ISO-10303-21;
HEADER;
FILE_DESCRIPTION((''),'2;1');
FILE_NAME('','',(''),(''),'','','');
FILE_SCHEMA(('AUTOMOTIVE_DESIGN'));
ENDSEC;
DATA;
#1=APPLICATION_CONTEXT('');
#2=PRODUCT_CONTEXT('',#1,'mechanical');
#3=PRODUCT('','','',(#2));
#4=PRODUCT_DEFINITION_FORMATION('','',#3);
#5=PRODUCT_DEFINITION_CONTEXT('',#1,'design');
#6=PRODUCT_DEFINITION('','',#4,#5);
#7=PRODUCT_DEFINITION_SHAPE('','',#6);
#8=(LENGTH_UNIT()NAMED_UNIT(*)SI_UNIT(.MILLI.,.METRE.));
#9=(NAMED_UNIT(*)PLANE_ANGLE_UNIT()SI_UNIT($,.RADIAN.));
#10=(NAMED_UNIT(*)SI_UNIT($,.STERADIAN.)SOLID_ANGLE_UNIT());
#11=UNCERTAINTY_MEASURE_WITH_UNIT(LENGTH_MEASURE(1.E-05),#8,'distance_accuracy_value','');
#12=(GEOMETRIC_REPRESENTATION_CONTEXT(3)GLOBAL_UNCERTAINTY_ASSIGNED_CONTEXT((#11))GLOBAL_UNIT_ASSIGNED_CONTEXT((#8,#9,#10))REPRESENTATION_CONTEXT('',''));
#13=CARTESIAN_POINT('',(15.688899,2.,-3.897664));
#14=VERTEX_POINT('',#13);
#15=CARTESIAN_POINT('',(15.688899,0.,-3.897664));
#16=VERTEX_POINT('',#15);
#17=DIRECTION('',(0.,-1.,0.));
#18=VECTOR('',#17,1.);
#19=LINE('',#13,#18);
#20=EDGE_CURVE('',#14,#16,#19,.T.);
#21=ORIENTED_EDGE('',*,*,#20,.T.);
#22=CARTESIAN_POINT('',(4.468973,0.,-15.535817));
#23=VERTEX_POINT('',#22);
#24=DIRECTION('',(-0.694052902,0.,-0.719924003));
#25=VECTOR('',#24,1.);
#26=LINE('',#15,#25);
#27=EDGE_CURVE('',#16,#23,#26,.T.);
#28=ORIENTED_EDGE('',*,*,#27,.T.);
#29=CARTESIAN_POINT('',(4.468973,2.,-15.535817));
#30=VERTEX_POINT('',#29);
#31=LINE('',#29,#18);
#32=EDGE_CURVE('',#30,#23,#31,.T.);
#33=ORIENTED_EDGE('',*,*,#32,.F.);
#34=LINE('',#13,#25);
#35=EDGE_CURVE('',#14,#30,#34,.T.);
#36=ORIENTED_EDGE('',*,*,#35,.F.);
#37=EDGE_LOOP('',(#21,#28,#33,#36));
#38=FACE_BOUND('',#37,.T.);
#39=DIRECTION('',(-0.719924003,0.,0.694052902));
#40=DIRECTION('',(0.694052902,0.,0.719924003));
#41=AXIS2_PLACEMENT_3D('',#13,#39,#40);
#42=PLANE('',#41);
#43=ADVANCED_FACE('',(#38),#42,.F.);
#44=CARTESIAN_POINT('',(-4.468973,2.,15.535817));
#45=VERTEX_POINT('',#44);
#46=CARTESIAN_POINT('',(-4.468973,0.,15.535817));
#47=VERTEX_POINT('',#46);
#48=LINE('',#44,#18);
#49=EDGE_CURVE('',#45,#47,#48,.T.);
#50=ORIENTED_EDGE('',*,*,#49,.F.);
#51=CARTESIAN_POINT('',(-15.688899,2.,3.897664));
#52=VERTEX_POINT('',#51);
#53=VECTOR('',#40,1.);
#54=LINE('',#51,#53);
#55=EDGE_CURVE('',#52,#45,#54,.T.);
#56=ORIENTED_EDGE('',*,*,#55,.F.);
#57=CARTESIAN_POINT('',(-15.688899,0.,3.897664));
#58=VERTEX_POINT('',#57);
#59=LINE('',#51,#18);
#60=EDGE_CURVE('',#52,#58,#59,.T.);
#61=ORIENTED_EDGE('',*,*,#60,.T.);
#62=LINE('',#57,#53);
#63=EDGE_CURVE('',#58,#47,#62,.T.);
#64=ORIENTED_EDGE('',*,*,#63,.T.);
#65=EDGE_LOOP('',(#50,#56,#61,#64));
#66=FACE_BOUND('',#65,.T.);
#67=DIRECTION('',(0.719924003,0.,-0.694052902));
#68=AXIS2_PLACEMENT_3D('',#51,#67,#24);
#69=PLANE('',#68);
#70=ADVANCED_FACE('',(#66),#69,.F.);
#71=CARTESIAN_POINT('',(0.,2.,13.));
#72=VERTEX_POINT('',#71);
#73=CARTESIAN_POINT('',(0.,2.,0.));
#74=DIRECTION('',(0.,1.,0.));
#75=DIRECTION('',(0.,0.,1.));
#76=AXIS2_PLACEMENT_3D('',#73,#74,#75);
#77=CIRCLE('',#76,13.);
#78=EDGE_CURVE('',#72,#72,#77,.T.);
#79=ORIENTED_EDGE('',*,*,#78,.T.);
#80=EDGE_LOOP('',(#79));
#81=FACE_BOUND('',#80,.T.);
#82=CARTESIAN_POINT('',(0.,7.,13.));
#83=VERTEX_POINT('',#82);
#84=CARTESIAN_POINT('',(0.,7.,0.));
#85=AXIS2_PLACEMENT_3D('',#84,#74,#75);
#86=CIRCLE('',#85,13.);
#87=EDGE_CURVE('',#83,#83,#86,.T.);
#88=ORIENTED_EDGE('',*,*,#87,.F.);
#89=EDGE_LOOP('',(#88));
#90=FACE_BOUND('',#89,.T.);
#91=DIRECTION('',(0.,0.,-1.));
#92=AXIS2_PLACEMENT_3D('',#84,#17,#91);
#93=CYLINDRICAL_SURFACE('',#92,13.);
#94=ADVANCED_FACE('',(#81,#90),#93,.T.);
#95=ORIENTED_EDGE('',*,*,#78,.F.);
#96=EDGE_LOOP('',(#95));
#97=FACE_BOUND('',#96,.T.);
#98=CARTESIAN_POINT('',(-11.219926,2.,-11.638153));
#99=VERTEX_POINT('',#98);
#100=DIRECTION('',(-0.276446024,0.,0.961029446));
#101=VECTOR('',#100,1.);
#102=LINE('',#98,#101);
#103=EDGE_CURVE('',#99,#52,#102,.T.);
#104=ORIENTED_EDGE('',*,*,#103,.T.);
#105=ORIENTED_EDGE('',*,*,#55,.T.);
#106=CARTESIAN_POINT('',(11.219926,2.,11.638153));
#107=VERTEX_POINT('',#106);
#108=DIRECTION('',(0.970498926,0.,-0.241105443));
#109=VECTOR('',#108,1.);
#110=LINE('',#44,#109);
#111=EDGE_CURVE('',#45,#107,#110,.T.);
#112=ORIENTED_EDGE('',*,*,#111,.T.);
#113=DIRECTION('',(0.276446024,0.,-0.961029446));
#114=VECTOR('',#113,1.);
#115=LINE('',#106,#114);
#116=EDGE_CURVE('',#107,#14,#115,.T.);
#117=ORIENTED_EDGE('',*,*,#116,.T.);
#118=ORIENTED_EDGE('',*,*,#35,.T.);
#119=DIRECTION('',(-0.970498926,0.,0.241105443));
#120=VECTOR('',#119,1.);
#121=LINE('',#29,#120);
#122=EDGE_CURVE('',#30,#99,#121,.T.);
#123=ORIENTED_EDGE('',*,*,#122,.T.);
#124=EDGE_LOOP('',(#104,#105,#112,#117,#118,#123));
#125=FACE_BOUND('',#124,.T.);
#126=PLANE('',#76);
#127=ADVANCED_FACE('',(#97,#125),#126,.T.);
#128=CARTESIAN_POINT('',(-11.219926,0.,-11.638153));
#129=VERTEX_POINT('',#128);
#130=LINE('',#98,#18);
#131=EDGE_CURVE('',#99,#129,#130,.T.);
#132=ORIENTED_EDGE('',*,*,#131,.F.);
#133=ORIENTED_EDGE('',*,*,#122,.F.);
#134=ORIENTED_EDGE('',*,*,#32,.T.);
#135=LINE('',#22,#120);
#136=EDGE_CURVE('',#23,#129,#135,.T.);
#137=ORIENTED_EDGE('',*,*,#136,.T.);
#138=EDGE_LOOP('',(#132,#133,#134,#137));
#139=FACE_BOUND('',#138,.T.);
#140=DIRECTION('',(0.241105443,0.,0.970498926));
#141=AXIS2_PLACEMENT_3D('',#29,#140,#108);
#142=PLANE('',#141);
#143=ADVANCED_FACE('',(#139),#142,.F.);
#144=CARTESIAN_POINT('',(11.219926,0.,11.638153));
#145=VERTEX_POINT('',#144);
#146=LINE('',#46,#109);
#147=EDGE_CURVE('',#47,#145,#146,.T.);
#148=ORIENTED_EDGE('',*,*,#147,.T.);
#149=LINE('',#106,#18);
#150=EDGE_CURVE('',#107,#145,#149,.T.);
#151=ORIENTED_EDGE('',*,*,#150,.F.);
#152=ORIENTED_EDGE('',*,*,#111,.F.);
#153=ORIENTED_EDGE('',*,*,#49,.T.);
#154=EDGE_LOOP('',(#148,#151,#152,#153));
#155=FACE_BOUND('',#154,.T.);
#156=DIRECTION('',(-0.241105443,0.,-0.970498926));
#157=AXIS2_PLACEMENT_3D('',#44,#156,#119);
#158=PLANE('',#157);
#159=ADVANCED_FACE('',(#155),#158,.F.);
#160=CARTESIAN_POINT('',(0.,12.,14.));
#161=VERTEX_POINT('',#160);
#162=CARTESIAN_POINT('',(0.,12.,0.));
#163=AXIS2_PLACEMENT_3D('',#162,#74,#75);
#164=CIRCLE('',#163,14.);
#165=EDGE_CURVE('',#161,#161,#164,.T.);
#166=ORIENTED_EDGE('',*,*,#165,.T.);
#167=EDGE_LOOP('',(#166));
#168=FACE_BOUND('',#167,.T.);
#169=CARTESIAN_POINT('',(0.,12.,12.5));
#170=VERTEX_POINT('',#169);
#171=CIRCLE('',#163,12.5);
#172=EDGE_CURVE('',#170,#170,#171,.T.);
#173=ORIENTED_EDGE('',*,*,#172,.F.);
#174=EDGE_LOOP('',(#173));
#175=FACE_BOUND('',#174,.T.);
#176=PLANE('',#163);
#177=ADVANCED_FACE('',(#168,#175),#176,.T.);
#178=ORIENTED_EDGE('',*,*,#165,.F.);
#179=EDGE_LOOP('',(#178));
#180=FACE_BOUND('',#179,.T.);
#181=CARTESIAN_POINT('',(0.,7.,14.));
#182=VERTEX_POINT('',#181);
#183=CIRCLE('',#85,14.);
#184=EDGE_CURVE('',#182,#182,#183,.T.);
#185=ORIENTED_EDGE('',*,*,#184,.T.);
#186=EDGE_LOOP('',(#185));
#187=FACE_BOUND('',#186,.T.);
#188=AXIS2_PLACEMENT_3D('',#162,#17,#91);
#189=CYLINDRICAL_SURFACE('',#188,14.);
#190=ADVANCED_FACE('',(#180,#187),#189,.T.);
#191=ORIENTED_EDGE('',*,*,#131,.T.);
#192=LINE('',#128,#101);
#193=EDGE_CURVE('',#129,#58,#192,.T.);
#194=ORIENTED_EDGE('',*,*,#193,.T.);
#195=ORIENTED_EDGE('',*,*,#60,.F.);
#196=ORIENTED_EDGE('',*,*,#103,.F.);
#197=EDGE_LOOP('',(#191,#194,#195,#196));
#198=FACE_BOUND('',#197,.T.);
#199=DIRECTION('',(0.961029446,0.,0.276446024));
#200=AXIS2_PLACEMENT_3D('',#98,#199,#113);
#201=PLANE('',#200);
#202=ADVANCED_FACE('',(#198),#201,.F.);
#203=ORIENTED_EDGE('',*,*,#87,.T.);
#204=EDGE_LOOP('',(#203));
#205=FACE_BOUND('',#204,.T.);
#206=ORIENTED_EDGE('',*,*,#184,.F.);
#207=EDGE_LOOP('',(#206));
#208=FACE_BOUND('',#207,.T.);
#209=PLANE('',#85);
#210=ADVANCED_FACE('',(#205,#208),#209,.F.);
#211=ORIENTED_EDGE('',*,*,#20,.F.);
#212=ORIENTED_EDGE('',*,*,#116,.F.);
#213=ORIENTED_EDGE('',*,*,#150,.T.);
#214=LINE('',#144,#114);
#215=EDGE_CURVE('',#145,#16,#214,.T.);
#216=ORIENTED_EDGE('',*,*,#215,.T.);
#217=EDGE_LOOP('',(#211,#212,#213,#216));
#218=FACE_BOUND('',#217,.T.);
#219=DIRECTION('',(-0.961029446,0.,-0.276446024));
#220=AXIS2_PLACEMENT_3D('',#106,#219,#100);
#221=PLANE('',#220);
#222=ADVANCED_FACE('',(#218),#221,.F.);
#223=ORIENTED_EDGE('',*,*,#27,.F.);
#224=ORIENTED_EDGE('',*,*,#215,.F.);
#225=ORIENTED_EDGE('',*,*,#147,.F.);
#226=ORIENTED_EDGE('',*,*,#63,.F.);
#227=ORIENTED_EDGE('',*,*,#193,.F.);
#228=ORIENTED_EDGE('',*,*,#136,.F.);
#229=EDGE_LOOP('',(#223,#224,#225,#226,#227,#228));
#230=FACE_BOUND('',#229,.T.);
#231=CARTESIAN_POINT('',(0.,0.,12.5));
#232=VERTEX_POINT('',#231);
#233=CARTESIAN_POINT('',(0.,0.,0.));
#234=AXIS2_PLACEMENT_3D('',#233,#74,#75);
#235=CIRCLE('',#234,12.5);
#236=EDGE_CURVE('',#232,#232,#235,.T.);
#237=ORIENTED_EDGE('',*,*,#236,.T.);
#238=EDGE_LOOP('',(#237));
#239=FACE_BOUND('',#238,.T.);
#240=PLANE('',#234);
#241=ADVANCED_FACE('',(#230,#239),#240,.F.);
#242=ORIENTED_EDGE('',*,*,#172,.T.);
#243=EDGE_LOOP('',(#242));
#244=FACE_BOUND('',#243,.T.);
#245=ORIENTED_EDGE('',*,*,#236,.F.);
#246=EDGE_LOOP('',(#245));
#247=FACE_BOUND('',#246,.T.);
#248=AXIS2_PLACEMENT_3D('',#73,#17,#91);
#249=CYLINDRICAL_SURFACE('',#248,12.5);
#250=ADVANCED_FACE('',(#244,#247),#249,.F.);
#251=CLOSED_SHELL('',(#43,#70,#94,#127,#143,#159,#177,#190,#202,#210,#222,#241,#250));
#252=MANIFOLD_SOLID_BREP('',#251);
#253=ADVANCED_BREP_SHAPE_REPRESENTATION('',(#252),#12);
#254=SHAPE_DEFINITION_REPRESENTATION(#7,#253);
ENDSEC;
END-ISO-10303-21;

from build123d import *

# Parameters (mm, degrees)
SKETCH_1_R      = 12.5
EXTRUDE_1_DEPTH = 2
SKETCH_2_R      = 13
SKETCH_2_R_2    = 12.5
EXTRUDE_2_DEPTH = 5
SKETCH_3_R      = 14
SKETCH_3_R_2    = 12.5
EXTRUDE_3_DEPTH = 5


with BuildPart() as part:
    # 草圖1 → 填料-伸長1 (new body)
    with BuildSketch(Plane(origin=(0, 0, 0), x_dir=(1, 0, 0), z_dir=(0, 1, 0))):
        Polygon((-4.468973219, -15.535817059), (11.219925632, -11.638152866), (15.688898852, 3.897664193), (4.468973219, 15.535817059), (-11.219925632, 11.638152866), (-15.688898852, -3.897664193), align=None)
        with Locations(Location((0, 0, 0), (0, 0, 270))):
            Circle(SKETCH_1_R, mode=Mode.SUBTRACT)
    extrude(amount=EXTRUDE_1_DEPTH)

    # 草圖2 → 填料-伸長2 (add)
    with BuildSketch(Plane(origin=(0, 2, 0), x_dir=(1, 0, 0), z_dir=(0, 1, 0))):
        with Locations(Location((0, 0, 0), (0, 0, 270))):
            Circle(SKETCH_2_R)
        with Locations(Location((0, 0, 0), (0, 0, 270))):
            Circle(SKETCH_2_R_2, mode=Mode.SUBTRACT)
    extrude(amount=EXTRUDE_2_DEPTH)

    # 草圖3 → 填料-伸長3 (add)
    with BuildSketch(Plane(origin=(0, 7, 0), x_dir=(1, 0, 0), z_dir=(0, 1, 0))):
        with Locations(Location((0, 0, 0), (0, 0, 270))):
            Circle(SKETCH_3_R)
        with Locations(Location((0, 0, 0), (0, 0, 270))):
            Circle(SKETCH_3_R_2, mode=Mode.SUBTRACT)
    extrude(amount=EXTRUDE_3_DEPTH)


solid = part.part
